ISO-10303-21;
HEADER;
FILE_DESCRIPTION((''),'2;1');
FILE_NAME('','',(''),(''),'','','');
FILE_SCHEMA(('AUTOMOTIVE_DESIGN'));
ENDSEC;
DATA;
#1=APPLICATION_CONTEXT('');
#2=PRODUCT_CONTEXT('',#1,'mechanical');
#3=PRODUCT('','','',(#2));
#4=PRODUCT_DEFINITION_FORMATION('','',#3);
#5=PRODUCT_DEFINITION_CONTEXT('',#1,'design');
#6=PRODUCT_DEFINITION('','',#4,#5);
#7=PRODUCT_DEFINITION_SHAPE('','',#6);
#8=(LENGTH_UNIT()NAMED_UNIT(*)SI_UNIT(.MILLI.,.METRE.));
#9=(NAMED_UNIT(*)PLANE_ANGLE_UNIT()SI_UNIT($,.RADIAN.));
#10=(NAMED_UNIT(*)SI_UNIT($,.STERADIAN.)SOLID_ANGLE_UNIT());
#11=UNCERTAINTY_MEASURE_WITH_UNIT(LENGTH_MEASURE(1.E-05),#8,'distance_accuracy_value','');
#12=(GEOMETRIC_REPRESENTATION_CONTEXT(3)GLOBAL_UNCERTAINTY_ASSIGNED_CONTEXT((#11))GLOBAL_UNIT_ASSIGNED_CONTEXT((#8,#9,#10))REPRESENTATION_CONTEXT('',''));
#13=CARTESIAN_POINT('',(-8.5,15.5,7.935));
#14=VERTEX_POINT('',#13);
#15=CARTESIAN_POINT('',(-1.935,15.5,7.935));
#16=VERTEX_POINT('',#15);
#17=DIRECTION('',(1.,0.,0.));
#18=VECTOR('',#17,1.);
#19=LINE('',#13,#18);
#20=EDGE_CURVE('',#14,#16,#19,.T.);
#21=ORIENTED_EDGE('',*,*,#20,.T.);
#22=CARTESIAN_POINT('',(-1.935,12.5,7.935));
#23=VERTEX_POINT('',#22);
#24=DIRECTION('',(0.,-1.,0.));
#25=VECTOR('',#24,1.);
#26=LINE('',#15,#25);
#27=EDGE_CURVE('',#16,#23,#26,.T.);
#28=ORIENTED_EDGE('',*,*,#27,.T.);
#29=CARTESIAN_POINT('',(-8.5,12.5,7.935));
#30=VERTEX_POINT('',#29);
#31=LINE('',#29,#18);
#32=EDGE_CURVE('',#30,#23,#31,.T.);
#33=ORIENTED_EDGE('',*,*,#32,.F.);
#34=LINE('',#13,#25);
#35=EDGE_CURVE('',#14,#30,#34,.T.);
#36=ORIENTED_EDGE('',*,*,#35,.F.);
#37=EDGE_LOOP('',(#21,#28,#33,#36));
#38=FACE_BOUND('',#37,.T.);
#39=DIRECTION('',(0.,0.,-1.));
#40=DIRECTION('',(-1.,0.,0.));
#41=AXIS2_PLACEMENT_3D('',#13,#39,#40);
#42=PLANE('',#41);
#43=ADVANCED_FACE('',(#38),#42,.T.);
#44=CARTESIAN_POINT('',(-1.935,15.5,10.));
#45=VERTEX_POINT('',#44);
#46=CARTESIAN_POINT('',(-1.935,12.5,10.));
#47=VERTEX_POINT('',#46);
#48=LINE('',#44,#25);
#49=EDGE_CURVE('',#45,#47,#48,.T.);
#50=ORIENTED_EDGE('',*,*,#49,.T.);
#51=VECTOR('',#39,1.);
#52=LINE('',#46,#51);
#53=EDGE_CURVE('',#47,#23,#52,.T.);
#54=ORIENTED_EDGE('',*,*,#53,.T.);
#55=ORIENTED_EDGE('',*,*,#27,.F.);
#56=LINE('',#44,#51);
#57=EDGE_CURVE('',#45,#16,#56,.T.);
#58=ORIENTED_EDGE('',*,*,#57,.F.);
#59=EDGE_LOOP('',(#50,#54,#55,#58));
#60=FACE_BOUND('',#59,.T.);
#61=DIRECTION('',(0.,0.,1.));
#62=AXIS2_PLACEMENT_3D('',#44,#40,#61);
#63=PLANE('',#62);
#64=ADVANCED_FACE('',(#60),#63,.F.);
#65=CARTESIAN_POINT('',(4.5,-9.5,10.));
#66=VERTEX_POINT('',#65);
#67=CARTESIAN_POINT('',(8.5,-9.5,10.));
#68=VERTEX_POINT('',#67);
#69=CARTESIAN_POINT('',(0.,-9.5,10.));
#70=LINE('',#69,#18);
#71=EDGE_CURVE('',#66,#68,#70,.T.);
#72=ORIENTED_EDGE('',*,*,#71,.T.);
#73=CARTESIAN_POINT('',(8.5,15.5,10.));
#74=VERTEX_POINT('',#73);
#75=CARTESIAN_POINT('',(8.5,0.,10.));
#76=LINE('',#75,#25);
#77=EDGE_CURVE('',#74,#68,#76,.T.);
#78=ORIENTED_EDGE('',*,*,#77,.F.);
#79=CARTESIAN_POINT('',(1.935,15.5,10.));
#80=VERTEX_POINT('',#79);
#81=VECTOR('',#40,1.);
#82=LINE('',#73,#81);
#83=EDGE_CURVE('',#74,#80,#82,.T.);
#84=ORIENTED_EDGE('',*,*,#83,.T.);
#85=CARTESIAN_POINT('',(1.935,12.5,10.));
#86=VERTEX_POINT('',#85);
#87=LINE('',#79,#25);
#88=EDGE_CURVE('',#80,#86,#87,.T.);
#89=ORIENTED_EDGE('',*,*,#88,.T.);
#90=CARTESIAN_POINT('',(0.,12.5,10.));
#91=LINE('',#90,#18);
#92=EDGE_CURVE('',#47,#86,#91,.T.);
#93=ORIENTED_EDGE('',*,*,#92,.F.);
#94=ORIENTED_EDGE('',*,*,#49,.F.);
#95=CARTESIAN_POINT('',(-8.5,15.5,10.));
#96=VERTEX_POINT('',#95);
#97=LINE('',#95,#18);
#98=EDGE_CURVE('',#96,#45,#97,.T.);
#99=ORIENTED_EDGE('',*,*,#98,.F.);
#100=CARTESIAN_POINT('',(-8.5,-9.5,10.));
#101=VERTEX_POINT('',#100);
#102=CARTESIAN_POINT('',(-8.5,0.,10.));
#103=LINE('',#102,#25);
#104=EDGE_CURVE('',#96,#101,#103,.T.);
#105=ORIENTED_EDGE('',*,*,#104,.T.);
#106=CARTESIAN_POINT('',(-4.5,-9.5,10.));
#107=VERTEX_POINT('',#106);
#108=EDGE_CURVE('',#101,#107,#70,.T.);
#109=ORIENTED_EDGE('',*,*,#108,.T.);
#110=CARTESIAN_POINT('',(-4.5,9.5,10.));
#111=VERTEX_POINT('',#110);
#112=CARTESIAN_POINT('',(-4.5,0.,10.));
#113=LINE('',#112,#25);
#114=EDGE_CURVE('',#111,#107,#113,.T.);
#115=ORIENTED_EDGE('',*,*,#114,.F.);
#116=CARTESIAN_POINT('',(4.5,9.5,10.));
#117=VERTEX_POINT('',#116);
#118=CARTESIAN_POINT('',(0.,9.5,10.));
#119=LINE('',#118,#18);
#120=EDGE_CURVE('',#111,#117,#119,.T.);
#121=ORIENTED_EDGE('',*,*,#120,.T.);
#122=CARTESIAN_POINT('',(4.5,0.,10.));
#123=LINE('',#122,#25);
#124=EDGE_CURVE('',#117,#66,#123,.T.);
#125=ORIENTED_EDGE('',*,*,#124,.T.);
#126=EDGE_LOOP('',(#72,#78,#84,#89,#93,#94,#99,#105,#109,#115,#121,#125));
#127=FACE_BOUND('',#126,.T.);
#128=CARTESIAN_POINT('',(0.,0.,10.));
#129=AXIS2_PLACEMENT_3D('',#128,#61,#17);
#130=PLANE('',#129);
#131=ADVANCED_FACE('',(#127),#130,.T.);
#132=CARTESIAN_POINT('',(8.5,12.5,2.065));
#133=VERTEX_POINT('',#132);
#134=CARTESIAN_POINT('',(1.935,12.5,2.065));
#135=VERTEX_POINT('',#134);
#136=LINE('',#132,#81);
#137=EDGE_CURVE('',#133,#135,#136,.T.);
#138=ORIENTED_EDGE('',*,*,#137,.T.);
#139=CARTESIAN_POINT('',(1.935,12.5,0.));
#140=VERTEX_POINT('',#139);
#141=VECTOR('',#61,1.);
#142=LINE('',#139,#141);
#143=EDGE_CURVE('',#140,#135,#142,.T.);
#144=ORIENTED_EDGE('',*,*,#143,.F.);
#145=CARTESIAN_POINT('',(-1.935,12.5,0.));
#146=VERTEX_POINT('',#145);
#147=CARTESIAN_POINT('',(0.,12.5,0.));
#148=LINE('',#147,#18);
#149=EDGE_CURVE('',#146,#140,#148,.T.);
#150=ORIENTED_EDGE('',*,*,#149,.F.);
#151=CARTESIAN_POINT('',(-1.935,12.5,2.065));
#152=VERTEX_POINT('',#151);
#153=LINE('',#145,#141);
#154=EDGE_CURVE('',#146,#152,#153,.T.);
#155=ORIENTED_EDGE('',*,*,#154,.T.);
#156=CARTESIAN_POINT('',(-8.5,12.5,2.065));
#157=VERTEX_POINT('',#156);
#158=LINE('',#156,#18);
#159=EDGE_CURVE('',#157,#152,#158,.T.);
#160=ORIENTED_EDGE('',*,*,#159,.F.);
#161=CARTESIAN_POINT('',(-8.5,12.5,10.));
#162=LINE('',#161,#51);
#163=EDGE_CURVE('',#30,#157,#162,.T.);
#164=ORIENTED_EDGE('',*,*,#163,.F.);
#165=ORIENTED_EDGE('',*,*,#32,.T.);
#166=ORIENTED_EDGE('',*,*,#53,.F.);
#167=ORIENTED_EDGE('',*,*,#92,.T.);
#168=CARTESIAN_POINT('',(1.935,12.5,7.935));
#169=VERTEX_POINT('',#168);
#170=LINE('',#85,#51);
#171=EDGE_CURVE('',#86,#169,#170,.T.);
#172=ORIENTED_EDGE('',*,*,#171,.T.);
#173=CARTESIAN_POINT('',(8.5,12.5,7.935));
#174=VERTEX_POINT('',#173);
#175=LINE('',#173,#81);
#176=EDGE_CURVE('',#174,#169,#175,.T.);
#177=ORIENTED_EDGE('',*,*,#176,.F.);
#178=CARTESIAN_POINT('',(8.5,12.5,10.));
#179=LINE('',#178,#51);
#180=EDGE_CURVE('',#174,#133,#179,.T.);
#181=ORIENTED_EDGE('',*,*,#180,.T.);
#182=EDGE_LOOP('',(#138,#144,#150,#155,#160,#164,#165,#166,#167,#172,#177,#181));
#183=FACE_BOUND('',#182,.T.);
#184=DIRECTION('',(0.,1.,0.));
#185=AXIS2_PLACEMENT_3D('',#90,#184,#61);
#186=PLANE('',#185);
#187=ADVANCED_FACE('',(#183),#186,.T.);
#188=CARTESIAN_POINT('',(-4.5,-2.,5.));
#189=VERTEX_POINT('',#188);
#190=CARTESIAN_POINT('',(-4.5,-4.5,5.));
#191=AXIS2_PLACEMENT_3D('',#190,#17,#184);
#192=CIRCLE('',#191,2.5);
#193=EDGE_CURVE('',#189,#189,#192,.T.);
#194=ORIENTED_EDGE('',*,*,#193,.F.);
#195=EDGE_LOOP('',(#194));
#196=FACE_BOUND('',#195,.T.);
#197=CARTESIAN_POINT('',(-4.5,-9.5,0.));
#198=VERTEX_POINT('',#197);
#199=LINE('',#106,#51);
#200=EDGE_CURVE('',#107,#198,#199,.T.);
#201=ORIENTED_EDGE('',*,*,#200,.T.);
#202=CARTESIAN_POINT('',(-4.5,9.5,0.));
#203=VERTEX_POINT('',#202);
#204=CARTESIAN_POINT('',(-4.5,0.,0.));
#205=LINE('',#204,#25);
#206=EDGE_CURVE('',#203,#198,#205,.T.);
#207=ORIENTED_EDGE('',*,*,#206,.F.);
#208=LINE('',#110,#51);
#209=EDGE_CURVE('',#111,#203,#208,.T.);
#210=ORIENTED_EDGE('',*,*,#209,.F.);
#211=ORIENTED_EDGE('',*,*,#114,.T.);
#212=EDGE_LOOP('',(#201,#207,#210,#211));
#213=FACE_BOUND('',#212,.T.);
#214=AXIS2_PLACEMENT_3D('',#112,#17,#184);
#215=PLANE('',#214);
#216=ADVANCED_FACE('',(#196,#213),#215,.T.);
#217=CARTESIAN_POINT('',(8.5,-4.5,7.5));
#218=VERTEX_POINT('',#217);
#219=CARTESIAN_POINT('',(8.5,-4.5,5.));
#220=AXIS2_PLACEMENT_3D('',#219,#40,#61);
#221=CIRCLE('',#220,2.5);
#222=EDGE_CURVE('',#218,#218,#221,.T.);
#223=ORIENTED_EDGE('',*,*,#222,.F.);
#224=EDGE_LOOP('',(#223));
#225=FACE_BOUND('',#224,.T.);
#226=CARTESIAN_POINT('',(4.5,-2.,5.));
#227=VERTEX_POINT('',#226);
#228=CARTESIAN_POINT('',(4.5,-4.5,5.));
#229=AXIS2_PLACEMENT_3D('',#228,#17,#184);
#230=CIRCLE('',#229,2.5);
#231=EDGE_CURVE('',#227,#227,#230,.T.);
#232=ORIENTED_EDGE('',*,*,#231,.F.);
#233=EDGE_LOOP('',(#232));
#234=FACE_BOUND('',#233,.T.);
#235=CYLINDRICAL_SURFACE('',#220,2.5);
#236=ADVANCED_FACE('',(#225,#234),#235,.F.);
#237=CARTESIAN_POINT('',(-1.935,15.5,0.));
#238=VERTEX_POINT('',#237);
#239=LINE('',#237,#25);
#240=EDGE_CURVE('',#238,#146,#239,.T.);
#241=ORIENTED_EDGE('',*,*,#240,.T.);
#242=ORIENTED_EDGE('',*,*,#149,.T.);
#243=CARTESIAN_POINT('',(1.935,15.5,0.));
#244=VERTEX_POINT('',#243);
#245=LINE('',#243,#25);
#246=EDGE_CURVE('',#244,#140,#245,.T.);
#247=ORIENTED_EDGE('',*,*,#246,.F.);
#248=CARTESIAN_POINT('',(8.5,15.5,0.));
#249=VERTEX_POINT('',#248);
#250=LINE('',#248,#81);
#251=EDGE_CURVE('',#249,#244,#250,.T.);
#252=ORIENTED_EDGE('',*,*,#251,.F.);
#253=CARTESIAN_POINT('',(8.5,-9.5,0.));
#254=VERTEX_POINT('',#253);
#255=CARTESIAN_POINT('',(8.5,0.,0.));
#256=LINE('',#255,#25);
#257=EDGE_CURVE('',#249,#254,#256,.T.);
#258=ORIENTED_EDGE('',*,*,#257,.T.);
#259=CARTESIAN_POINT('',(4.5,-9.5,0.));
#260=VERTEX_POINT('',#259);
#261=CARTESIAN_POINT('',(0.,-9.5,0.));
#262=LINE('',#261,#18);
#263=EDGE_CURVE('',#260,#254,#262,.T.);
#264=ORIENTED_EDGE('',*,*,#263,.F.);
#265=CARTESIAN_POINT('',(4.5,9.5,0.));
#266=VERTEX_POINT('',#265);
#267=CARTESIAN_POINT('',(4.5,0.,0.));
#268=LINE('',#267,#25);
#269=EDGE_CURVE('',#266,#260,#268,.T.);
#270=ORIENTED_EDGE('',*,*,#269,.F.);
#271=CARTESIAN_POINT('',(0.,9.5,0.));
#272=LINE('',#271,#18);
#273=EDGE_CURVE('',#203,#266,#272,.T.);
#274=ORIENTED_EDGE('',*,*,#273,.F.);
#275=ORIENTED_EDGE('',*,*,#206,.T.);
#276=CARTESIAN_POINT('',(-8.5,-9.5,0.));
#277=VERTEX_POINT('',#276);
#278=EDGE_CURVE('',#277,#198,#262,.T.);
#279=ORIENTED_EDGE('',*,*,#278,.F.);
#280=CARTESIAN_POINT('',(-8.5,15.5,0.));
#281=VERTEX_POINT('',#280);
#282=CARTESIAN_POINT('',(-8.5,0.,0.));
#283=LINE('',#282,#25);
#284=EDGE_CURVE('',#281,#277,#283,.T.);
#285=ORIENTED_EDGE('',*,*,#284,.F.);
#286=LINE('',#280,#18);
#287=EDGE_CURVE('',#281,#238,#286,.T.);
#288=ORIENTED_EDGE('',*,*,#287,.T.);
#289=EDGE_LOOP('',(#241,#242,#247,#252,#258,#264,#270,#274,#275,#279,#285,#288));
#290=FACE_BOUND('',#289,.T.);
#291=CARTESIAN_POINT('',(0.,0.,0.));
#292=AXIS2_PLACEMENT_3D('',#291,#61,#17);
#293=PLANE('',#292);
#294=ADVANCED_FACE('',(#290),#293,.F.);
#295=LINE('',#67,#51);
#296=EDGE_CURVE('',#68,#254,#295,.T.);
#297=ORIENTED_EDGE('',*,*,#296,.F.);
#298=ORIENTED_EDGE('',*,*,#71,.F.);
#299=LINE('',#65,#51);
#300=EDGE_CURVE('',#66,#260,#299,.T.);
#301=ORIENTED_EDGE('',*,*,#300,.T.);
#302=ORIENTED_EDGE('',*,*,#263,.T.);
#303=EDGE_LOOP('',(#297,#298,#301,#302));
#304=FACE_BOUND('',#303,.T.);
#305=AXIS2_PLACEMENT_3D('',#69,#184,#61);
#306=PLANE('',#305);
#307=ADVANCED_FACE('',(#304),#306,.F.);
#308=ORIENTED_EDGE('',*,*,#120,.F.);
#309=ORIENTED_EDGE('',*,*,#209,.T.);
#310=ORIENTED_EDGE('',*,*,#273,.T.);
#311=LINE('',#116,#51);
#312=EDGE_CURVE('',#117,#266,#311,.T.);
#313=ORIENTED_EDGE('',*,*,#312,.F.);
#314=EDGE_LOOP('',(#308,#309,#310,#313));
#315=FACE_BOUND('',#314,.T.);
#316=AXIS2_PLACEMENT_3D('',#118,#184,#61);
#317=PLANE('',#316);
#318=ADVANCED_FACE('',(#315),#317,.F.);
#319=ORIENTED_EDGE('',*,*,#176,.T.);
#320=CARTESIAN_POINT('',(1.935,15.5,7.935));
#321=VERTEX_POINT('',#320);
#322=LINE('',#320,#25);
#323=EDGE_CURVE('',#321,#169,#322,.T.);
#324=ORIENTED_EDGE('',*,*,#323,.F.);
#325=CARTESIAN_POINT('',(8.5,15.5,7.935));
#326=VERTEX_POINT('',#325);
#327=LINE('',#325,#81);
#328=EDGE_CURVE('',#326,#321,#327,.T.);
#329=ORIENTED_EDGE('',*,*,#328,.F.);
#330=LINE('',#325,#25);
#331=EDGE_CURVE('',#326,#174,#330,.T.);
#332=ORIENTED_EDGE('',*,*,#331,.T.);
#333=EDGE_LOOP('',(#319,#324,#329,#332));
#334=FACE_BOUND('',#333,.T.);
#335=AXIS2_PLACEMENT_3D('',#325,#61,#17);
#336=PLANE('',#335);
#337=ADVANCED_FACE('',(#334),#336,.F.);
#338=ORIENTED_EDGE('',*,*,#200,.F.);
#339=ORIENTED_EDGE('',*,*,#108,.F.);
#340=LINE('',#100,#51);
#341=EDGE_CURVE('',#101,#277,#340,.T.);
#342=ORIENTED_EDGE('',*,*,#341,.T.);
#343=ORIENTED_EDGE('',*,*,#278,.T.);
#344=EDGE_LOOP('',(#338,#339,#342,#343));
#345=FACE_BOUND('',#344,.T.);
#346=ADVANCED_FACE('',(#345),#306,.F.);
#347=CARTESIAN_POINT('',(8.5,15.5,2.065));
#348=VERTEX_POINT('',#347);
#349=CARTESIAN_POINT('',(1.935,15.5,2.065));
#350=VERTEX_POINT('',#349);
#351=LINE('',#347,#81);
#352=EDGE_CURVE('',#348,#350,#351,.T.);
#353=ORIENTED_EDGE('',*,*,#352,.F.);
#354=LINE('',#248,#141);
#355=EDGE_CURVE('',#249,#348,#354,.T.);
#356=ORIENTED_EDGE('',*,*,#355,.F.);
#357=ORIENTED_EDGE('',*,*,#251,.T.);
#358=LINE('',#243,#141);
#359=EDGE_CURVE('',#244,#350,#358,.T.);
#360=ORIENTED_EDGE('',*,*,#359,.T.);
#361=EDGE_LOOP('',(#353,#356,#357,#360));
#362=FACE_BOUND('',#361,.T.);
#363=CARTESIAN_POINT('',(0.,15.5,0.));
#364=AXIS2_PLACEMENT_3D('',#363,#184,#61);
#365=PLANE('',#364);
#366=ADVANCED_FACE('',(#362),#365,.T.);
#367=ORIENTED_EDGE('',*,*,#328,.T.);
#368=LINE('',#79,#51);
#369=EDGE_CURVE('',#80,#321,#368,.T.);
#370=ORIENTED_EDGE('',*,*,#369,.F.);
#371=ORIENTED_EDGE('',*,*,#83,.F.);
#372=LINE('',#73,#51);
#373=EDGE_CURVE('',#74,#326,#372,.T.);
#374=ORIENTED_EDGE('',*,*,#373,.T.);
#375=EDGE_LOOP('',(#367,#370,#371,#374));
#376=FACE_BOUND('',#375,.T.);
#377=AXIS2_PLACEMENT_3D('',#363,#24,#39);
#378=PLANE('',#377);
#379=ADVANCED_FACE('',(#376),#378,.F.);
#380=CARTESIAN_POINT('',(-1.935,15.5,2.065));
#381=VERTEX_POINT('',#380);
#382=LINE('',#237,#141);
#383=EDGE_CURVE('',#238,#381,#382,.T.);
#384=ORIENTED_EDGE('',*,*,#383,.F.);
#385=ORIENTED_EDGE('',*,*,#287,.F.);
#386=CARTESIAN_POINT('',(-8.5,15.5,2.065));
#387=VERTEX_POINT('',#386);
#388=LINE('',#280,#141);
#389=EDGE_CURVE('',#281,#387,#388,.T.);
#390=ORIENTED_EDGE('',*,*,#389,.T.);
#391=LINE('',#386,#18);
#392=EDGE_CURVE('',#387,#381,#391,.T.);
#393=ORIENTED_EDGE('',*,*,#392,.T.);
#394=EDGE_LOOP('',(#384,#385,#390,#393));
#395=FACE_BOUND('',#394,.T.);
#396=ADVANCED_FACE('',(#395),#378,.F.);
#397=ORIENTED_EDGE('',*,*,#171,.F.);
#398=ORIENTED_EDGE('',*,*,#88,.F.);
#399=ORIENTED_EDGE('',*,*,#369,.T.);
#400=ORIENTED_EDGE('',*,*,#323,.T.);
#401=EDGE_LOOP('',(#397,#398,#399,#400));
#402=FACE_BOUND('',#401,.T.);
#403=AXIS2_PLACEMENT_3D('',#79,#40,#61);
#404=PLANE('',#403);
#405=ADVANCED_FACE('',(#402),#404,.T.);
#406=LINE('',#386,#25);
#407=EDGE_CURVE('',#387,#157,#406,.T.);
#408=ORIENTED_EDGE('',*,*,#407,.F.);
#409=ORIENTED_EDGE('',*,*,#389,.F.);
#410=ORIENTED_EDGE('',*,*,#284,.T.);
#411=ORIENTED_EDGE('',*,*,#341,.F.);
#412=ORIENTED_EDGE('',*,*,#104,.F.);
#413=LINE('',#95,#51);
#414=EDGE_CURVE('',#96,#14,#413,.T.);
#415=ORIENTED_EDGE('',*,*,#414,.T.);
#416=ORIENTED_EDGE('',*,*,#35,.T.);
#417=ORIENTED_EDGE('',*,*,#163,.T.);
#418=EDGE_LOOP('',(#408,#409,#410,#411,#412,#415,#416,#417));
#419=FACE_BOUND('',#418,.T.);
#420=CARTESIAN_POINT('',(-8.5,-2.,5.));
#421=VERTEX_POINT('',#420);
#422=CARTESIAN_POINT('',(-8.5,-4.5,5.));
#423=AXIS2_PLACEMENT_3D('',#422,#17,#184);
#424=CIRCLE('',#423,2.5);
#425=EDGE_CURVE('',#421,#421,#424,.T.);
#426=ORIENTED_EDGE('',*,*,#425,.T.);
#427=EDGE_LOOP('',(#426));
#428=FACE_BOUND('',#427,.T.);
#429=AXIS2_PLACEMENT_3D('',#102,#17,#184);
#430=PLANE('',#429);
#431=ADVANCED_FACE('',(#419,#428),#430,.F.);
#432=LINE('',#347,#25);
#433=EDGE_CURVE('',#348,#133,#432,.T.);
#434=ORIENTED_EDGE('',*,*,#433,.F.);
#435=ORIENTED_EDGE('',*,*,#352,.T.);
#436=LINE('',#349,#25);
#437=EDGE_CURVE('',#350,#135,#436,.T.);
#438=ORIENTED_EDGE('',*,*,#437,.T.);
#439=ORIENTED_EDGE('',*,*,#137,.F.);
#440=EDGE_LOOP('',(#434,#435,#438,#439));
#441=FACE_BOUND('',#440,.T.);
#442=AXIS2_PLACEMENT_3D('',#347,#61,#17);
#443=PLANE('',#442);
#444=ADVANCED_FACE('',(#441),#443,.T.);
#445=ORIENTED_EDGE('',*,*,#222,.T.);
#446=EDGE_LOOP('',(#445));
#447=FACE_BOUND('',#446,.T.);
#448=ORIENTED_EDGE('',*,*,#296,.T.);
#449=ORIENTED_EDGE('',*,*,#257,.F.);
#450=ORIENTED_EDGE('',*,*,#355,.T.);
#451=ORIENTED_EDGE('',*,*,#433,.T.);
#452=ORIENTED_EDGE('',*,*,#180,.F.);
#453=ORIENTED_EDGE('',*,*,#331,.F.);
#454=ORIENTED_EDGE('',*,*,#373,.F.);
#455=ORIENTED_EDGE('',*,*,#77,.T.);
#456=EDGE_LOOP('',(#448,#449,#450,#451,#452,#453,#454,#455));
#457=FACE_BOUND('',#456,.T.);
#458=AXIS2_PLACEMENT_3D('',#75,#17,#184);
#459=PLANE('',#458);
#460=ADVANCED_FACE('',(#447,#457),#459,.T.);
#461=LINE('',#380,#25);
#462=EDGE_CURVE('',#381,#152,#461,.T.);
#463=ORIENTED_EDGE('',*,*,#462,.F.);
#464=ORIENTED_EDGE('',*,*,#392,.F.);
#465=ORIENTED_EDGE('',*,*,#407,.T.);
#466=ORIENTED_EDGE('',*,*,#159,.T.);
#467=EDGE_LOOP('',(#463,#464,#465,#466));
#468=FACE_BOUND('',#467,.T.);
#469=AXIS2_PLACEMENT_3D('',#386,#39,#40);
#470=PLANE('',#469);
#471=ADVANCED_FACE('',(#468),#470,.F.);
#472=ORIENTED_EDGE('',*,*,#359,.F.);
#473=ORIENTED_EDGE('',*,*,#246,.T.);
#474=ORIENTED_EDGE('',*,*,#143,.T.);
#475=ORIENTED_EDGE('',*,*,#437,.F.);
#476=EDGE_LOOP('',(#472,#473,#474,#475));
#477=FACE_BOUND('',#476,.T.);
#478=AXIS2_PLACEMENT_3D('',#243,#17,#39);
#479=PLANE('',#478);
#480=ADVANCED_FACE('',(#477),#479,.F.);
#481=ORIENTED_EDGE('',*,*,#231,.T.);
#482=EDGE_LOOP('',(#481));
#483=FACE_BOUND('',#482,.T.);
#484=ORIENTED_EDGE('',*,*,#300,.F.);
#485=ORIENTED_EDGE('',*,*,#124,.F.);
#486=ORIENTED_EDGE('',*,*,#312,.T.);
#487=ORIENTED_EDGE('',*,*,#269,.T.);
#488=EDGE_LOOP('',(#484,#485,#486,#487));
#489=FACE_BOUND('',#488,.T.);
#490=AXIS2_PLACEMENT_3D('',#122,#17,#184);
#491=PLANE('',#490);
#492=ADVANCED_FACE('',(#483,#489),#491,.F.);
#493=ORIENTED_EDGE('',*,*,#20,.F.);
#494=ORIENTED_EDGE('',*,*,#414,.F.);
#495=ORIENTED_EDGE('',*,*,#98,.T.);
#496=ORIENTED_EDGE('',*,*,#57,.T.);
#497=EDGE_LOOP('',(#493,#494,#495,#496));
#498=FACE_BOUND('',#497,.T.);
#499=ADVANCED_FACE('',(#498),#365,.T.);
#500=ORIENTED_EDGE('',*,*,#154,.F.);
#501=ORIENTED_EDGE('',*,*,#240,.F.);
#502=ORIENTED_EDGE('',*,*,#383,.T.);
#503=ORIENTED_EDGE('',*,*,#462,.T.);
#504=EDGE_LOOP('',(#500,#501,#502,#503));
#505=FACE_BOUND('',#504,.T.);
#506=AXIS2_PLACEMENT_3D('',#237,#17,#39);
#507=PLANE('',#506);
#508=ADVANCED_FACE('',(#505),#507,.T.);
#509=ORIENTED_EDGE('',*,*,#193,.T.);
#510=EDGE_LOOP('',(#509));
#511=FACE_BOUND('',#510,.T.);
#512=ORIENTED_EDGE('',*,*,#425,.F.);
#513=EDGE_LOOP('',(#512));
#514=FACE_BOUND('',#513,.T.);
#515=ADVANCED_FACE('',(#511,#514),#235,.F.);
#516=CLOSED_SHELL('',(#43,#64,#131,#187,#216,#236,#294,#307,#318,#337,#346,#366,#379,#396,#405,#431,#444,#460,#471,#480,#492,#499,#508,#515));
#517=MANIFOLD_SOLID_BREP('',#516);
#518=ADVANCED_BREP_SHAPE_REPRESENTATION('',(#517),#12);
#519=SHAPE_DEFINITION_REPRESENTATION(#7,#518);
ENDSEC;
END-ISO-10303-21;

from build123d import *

# Parameters (mm, degrees)
BOSS_EXTRUDE1_DEPTH     = 10
SKETCH2_R               = 2.5
CUT_EXTRUDE1_DEPTH      = 1
CUT_EXTRUDE1_DEPTH_BACK = 18
SKETCH4_W               = 6.565
SKETCH4_H               = 2.065
BOSS_EXTRUDE2_DEPTH     = 3


with BuildPart() as part:
    # Sketch1 → Boss-Extrude1 (new body)
    with BuildSketch(Plane.XY):
        Polygon((-4.5, -9.5), (-4.5, 9.5), (4.5, 9.5), (4.5, -9.5), (8.5, -9.5), (8.5, 12.5), (-8.5, 12.5), (-8.5, -9.5), align=None)
    extrude(amount=BOSS_EXTRUDE1_DEPTH)

    # Sketch2 → Cut-Extrude1 (cut, two sides)
    with BuildSketch(Plane.ZY.offset(8.5)) as cut_extrude1_sk:
        with Locations((5, -4.5)):
            Circle(SKETCH2_R)
    extrude(amount=CUT_EXTRUDE1_DEPTH, mode=Mode.SUBTRACT)
    extrude(cut_extrude1_sk.sketch, amount=-CUT_EXTRUDE1_DEPTH_BACK, mode=Mode.SUBTRACT)

    # Sketch4 → Boss-Extrude2 (add)
    with BuildSketch(Plane(origin=(0, 12.5, 0), x_dir=(1, 0, 0), z_dir=(0, 1, 0))):
        with Locations((-5.2175, -1.0325)):
            Rectangle(SKETCH4_W, SKETCH4_H)
        with Locations((-5.2175, -8.9675)):
            Rectangle(SKETCH4_W, SKETCH4_H)
        with Locations((5.2175, -1.0325)):
            Rectangle(SKETCH4_W, SKETCH4_H)
        with Locations((5.2175, -8.9675)):
            Rectangle(SKETCH4_W, SKETCH4_H)
    extrude(amount=BOSS_EXTRUDE2_DEPTH)


solid = part.part
